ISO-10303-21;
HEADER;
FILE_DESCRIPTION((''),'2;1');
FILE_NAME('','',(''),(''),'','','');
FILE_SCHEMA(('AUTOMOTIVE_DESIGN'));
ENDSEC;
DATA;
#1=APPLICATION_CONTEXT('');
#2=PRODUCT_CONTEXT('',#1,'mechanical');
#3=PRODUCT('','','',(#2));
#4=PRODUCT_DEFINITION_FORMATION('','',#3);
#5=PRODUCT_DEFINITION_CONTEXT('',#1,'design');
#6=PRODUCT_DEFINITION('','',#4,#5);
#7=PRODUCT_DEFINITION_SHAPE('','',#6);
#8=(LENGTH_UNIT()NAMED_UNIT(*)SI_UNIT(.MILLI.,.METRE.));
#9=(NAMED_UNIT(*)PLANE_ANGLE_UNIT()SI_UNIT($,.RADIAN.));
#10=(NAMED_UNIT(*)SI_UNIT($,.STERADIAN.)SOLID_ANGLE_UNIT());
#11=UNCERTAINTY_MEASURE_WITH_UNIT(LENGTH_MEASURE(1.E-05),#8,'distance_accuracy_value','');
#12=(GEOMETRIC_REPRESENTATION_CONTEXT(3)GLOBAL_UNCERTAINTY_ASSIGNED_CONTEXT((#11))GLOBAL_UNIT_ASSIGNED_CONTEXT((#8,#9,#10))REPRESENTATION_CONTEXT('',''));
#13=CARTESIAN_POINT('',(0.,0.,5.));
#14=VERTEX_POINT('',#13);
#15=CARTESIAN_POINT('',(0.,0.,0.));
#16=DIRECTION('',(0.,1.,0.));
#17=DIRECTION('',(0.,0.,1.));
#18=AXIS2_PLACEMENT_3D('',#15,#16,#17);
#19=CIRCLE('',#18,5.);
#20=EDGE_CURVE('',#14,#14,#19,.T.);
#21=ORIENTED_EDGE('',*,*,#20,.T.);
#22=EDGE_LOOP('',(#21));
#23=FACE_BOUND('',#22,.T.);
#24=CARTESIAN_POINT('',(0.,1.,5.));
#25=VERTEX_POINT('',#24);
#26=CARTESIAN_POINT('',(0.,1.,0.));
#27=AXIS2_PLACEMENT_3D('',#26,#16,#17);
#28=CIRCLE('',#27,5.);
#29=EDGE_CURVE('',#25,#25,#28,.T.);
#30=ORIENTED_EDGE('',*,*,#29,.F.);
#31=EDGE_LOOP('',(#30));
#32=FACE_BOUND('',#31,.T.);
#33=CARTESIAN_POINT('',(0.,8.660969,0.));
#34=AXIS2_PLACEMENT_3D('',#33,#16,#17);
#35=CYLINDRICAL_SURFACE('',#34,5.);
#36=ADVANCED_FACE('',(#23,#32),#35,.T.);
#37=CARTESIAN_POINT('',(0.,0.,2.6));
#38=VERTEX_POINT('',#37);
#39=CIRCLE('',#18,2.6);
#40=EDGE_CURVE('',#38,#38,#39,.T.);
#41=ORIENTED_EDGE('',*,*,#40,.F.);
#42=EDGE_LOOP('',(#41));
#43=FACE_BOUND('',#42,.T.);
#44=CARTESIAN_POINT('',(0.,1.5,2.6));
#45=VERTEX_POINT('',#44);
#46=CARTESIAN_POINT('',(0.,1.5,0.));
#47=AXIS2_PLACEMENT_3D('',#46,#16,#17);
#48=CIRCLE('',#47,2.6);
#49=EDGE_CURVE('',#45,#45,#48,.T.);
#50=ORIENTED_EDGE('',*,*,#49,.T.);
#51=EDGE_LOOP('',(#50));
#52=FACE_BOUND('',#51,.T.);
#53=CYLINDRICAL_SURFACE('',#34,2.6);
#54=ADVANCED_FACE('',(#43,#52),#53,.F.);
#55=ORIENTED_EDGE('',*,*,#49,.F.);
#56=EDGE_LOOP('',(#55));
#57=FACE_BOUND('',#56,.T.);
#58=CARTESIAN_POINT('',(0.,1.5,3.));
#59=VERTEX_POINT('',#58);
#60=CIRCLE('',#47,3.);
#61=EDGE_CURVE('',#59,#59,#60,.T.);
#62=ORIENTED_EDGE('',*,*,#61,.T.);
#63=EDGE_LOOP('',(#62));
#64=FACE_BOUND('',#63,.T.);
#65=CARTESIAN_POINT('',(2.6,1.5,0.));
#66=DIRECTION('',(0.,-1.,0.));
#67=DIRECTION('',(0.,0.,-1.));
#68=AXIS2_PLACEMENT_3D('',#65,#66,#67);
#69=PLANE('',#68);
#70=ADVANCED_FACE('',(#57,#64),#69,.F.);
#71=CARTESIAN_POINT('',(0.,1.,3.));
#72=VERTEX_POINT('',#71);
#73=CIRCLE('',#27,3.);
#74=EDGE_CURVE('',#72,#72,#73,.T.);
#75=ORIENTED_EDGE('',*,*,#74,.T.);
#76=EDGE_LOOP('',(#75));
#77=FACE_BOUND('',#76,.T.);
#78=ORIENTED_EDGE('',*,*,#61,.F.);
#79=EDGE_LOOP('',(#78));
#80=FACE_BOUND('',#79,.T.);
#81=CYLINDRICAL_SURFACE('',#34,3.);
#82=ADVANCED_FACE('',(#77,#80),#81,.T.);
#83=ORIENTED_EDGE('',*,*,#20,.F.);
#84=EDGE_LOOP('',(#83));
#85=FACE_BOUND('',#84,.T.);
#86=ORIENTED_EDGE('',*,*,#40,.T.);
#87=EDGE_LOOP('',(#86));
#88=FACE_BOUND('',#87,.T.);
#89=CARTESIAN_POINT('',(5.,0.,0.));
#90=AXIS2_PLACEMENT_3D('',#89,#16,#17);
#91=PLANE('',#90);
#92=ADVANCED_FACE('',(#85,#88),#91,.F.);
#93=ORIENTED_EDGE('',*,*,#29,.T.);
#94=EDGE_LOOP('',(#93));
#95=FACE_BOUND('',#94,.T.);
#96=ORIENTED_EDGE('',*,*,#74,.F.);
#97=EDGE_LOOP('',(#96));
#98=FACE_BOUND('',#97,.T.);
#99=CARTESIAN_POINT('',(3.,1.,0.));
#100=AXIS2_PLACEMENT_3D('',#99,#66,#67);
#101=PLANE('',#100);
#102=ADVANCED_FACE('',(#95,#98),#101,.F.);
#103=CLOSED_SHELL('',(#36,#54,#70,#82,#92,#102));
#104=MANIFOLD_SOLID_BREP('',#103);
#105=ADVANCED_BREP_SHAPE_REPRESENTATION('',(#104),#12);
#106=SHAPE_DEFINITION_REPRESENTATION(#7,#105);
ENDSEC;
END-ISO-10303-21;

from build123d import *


with BuildPart() as part:
    # Sketch2 → Revolve1 (revolve)
    with BuildSketch(Plane.XY):
        Polygon((2.6, 0), (2.6, 1.5), (3, 1.5), (3, 1), (5, 1), (5, 0), align=None)
    revolve(axis=Axis((0, 8.660968661, 0), (0, -1, 0)))


solid = part.part
